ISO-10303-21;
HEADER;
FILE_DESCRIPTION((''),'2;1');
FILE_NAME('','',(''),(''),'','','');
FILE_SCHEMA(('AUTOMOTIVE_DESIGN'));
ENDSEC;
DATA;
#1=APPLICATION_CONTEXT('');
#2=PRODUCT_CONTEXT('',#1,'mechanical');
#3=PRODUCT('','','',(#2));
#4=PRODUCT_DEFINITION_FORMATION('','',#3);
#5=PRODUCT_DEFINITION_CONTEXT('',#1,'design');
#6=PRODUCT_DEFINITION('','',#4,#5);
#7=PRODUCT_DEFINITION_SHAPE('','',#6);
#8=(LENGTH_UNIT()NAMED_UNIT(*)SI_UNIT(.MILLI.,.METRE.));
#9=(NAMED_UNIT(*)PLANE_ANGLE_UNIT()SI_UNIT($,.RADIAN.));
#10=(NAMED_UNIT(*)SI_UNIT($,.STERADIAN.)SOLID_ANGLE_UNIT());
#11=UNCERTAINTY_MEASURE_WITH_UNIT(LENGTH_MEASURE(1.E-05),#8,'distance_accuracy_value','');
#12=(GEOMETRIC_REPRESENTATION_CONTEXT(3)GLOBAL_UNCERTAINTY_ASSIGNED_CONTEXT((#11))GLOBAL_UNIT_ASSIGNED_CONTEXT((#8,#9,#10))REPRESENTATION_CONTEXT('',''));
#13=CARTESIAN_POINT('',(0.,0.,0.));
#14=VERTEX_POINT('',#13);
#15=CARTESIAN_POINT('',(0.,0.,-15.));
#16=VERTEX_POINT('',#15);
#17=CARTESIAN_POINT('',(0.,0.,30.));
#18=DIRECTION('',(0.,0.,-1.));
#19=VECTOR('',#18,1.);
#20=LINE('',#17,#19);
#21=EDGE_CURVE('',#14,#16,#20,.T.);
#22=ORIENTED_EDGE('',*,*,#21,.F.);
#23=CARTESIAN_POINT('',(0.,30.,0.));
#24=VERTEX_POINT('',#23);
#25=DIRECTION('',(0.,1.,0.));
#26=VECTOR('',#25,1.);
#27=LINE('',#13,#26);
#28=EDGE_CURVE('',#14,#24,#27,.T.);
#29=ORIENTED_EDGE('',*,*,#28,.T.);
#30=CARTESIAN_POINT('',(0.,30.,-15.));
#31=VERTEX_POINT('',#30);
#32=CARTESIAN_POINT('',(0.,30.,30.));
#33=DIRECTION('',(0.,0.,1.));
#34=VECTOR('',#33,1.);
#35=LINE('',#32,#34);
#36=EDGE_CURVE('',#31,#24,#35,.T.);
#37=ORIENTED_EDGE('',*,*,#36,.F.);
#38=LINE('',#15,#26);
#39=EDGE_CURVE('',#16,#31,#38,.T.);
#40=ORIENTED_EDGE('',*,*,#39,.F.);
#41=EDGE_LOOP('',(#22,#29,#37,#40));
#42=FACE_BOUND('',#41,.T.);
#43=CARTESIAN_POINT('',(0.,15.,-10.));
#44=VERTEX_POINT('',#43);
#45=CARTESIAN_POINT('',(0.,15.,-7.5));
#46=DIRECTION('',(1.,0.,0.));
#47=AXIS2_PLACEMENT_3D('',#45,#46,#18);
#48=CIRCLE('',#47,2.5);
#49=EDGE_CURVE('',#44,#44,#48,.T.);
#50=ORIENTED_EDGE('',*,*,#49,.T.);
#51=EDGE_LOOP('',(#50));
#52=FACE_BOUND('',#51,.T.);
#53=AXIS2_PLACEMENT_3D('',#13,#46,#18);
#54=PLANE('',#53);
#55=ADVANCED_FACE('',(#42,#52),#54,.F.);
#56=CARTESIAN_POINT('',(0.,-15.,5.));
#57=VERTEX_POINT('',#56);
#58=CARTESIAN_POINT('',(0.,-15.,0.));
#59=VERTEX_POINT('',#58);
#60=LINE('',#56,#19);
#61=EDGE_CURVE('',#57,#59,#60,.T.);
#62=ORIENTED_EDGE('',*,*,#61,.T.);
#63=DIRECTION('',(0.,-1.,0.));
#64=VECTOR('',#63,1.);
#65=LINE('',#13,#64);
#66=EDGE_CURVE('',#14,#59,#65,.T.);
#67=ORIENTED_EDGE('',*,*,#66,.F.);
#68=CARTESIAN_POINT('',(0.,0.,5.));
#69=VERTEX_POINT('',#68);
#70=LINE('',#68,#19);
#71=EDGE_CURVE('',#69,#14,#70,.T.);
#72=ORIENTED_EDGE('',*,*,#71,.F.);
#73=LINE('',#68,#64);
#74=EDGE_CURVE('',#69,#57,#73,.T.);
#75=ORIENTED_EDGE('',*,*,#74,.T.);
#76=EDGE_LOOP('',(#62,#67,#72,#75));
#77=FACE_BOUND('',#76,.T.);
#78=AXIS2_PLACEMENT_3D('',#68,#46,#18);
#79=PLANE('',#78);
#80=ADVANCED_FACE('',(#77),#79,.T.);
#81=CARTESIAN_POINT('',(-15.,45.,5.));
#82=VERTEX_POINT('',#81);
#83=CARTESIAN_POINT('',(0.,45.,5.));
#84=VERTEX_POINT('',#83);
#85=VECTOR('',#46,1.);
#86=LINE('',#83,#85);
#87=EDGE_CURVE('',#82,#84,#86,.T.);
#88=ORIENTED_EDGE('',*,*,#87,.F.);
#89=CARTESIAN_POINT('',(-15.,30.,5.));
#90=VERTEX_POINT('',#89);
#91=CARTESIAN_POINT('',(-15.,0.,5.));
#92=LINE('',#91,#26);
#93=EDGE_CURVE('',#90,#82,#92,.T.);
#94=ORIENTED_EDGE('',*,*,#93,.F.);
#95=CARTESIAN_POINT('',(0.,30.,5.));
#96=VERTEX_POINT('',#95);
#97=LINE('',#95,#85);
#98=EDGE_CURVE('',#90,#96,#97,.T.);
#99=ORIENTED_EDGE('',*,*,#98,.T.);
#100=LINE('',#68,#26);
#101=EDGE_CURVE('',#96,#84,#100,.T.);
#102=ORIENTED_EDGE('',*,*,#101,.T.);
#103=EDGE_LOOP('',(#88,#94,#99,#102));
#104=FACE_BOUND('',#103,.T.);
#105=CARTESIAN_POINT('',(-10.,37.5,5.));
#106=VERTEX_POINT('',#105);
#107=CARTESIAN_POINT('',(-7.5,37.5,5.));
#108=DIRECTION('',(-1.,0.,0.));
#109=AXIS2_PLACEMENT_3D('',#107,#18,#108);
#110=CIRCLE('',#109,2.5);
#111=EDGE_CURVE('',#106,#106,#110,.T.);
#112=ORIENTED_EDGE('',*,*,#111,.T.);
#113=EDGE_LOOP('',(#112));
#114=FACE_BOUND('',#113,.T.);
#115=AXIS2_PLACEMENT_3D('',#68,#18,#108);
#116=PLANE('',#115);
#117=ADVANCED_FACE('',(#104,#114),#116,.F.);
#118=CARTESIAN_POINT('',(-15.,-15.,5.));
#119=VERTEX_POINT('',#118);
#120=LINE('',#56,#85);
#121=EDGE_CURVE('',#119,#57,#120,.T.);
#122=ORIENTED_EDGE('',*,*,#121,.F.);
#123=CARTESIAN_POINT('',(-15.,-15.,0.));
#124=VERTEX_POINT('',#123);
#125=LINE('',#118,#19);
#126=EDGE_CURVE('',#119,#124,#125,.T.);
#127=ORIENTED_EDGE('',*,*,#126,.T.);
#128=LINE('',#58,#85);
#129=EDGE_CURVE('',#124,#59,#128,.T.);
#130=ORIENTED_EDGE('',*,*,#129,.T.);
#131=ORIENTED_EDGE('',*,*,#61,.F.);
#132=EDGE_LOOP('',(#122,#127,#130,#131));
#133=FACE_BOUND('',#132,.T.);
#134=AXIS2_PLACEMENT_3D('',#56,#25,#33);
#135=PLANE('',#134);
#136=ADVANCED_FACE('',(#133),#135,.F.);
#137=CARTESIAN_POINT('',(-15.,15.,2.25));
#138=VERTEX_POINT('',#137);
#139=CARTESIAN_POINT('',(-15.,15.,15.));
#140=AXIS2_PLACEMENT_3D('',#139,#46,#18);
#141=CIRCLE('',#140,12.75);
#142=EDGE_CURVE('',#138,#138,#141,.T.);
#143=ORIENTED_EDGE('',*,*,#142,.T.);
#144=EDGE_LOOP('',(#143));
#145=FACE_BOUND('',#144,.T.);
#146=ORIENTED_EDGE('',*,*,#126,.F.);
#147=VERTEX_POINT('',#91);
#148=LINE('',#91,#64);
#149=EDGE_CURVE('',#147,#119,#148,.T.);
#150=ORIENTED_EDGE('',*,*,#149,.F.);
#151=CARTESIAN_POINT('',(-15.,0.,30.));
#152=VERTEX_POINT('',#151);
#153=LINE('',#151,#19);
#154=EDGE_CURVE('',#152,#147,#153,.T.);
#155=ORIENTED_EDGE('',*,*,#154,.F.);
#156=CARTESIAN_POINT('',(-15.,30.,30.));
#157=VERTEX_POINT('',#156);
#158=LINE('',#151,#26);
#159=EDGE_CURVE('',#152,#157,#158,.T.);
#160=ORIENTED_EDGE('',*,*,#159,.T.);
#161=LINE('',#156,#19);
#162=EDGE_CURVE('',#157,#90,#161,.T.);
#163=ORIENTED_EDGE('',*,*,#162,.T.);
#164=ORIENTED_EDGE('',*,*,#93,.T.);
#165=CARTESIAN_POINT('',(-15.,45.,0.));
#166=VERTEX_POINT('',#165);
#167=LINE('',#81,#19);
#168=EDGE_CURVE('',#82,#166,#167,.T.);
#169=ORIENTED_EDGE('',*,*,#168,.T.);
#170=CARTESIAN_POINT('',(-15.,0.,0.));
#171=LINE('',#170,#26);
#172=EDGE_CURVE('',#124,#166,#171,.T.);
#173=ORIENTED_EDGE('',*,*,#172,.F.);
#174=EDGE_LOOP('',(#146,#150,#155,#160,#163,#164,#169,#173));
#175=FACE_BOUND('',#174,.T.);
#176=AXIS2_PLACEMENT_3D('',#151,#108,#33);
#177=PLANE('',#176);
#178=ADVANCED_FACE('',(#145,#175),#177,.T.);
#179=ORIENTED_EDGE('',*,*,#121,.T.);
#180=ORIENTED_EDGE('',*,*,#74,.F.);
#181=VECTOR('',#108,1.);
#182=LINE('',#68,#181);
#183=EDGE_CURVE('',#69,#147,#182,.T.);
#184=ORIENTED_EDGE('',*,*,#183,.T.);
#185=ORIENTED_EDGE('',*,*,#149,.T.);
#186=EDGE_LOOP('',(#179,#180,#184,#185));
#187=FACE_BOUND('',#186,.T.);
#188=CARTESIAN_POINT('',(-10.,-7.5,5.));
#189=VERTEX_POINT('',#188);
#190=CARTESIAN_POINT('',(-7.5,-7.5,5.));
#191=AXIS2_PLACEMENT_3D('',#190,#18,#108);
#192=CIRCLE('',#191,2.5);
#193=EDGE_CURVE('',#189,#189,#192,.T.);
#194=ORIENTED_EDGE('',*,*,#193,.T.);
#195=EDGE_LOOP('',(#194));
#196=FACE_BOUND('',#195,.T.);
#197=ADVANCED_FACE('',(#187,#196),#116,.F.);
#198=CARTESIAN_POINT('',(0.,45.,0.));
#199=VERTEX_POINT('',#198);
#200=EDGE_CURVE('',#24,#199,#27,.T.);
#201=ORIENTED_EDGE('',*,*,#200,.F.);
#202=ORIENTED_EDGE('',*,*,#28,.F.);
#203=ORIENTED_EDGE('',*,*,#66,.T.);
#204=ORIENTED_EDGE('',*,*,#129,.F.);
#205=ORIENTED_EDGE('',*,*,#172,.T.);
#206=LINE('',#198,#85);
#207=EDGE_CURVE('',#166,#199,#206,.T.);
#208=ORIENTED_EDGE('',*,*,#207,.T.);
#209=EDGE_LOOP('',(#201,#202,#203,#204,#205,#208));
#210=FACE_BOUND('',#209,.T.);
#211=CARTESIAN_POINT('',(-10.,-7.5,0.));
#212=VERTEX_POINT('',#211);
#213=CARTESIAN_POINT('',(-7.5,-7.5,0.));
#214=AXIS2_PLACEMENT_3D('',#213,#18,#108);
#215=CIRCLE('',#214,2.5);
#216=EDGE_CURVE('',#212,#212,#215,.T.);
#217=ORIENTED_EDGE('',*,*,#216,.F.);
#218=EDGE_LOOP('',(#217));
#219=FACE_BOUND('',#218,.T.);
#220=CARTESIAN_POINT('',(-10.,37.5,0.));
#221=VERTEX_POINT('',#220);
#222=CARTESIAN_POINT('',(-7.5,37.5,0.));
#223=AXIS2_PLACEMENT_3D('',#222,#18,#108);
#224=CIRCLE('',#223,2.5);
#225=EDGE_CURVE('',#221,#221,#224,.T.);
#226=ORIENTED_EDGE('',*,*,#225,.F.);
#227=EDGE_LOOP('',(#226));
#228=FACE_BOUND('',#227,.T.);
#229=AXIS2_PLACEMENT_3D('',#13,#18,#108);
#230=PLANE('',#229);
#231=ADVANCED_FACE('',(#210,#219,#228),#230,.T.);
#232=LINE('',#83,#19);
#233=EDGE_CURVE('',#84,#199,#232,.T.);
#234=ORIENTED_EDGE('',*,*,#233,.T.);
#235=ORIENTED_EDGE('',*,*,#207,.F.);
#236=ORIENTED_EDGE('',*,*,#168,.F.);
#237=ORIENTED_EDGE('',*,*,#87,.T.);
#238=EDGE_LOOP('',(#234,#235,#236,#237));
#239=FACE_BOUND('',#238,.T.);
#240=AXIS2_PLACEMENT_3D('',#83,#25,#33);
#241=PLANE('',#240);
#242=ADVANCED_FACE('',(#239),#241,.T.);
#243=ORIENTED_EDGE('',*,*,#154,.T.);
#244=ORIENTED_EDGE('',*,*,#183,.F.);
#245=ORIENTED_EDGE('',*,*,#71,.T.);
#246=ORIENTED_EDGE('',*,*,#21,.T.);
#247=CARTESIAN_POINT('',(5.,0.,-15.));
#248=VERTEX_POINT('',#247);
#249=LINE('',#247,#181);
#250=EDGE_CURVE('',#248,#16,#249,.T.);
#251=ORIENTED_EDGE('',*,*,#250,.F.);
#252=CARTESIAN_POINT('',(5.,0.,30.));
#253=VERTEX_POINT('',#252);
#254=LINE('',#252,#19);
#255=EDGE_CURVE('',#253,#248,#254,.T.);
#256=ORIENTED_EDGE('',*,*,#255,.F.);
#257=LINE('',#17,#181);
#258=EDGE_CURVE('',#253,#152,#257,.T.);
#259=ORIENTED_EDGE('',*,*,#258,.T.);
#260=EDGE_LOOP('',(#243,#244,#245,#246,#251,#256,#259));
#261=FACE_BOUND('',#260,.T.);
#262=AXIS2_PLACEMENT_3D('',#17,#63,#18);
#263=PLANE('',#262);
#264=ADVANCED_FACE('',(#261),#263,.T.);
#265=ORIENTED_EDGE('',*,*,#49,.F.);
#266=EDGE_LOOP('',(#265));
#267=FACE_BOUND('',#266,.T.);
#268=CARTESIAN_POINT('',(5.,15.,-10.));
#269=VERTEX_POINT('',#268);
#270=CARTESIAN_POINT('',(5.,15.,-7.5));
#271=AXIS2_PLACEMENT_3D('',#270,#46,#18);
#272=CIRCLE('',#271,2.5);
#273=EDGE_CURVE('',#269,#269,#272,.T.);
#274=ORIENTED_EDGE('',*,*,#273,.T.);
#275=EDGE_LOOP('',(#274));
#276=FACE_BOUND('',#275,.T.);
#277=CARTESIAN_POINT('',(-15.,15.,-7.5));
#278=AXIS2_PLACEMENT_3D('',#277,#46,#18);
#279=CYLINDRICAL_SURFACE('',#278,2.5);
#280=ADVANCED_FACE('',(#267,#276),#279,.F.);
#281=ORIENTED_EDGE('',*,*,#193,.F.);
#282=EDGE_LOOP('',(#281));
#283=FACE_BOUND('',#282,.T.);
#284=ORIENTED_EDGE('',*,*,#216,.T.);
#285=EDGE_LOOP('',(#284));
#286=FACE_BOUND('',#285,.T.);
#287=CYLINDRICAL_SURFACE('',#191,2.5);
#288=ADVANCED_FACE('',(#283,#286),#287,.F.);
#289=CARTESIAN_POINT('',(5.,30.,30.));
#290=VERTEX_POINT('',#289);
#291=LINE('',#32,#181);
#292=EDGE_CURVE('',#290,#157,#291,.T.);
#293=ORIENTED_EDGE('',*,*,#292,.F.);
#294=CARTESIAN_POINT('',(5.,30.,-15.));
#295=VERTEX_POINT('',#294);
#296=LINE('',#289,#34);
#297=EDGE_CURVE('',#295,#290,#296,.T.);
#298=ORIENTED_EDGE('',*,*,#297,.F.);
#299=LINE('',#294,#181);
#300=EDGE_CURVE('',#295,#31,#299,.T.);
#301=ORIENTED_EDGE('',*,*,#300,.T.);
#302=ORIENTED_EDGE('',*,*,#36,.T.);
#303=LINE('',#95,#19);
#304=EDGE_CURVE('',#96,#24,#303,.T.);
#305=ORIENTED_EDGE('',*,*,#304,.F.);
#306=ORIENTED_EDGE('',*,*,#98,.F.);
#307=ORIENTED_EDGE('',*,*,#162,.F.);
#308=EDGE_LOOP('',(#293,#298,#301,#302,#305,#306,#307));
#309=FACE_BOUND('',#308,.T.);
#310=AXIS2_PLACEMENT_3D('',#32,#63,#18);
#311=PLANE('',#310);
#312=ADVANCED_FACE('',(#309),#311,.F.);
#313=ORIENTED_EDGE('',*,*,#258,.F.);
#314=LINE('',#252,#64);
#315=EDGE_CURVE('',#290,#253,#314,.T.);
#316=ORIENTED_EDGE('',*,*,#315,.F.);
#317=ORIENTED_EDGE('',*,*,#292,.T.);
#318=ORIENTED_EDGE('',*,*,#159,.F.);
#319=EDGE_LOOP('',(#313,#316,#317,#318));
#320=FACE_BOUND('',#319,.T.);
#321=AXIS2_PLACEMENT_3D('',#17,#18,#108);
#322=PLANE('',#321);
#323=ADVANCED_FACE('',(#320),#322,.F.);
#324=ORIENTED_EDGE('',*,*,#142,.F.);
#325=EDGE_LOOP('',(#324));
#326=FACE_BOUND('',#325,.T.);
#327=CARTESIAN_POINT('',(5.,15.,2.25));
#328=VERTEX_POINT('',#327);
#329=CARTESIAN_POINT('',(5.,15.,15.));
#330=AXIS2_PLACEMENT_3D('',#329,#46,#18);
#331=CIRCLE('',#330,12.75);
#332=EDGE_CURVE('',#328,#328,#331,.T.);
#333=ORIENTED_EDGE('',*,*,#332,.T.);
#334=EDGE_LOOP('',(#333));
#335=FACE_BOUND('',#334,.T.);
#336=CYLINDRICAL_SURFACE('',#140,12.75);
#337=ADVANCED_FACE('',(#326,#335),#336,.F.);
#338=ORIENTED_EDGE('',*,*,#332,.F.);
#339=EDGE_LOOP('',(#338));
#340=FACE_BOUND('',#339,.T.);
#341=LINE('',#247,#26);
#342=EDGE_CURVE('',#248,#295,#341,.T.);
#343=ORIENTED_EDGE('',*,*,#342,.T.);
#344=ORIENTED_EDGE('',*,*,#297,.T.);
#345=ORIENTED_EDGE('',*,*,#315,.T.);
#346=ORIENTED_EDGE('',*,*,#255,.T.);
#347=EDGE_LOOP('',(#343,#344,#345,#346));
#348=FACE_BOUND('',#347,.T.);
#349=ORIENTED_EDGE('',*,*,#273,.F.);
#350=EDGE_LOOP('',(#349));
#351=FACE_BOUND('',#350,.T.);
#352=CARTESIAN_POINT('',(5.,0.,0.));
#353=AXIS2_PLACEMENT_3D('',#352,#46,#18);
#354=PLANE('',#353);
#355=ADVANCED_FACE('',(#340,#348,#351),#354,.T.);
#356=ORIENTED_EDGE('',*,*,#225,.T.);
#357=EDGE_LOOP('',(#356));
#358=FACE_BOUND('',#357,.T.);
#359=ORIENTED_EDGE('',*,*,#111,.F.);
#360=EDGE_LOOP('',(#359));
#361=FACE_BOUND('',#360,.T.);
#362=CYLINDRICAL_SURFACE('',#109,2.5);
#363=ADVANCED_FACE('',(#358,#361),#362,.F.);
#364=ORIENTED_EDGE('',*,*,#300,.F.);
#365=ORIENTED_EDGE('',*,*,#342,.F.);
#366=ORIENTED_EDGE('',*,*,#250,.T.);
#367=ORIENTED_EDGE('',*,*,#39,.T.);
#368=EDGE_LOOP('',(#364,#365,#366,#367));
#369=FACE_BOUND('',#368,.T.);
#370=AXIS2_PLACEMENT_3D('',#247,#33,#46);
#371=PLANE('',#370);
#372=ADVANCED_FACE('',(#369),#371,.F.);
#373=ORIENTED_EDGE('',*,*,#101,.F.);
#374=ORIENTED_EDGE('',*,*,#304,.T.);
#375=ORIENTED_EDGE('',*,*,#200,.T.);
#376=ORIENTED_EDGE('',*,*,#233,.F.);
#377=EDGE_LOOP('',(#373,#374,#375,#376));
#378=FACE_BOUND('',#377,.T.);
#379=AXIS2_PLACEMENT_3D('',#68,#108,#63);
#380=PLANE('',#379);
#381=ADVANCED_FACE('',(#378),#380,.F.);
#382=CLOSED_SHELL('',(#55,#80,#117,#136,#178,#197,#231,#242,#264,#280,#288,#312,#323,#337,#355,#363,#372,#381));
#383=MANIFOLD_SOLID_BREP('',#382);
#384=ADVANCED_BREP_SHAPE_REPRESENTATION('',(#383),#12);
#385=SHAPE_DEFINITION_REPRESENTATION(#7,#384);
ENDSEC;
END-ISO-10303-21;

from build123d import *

# Parameters (mm, degrees)
SKETCH1_W           = 30
SKETCH1_H           = 15
BOSS_EXTRUDE1_DEPTH = 30
SKETCH2_W           = 30
SKETCH2_H           = 45
BOSS_EXTRUDE2_DEPTH = 5
SKETCH5_R           = 2.5
CUT_EXTRUDE2_DEPTH  = 47.904157598
SKETCH3_R           = 12.75
CUT_EXTRUDE3_DEPTH  = 47.904157598
SKETCH8_W           = 15
SKETCH8_H           = 15
SKETCH8_R           = 2.5
BOSS_EXTRUDE4_DEPTH = 5


with BuildPart() as part:
    # Sketch1 → Boss-Extrude1 (new body)
    with BuildSketch(Plane(origin=(0, 0, 0), x_dir=(0, 1, 0), z_dir=(0, 0, 1))):
        with Locations((15, 7.5)):
            Rectangle(SKETCH1_W, SKETCH1_H)
    extrude(amount=BOSS_EXTRUDE1_DEPTH)

    # Sketch2 → Boss-Extrude2 (add)
    with BuildSketch(Plane.YZ):
        with Locations((15, 7.5)):
            Rectangle(SKETCH2_W, SKETCH2_H)
    extrude(amount=BOSS_EXTRUDE2_DEPTH)

    # Sketch5 → Cut-Extrude2 (cut, through all)
    with BuildSketch(Plane.YZ.offset(5)):
        with Locations(Location((15, -7.5, 0), (0, 0, 270))):
            Circle(SKETCH5_R)
    extrude(amount=-CUT_EXTRUDE2_DEPTH, mode=Mode.SUBTRACT)

    # Sketch3 → Cut-Extrude3 (cut, through all)
    with BuildSketch(Plane.YZ.offset(5)):
        with Locations(Location((15, 15, 0), (0, 0, 270))):
            Circle(SKETCH3_R)
    extrude(amount=-CUT_EXTRUDE3_DEPTH, mode=Mode.SUBTRACT)

    # Sketch8 → Boss-Extrude4 (add)
    # profile 1 of 2: a face of its own
    with BuildSketch(Plane(origin=(0, 0, 0), x_dir=(1, 0, 0), z_dir=(0, 0, -1))):
        with Locations((-7.5, -37.5)):
            Rectangle(SKETCH8_W, SKETCH8_H)
        with Locations(Location((-7.5, -37.5, 0), (0, 0, 180))):
            Circle(SKETCH8_R, mode=Mode.SUBTRACT)
    # profile 2 of 2: a face of its own
    with BuildSketch(Plane(origin=(0, 0, 0), x_dir=(1, 0, 0), z_dir=(0, 0, -1))):
        with Locations((-7.5, 7.5)):
            Rectangle(SKETCH8_W, SKETCH8_H)
        with Locations(Location((-7.5, 7.5, 0), (0, 0, 180))):
            Circle(SKETCH8_R, mode=Mode.SUBTRACT)
    extrude(amount=-BOSS_EXTRUDE4_DEPTH)


solid = part.part
